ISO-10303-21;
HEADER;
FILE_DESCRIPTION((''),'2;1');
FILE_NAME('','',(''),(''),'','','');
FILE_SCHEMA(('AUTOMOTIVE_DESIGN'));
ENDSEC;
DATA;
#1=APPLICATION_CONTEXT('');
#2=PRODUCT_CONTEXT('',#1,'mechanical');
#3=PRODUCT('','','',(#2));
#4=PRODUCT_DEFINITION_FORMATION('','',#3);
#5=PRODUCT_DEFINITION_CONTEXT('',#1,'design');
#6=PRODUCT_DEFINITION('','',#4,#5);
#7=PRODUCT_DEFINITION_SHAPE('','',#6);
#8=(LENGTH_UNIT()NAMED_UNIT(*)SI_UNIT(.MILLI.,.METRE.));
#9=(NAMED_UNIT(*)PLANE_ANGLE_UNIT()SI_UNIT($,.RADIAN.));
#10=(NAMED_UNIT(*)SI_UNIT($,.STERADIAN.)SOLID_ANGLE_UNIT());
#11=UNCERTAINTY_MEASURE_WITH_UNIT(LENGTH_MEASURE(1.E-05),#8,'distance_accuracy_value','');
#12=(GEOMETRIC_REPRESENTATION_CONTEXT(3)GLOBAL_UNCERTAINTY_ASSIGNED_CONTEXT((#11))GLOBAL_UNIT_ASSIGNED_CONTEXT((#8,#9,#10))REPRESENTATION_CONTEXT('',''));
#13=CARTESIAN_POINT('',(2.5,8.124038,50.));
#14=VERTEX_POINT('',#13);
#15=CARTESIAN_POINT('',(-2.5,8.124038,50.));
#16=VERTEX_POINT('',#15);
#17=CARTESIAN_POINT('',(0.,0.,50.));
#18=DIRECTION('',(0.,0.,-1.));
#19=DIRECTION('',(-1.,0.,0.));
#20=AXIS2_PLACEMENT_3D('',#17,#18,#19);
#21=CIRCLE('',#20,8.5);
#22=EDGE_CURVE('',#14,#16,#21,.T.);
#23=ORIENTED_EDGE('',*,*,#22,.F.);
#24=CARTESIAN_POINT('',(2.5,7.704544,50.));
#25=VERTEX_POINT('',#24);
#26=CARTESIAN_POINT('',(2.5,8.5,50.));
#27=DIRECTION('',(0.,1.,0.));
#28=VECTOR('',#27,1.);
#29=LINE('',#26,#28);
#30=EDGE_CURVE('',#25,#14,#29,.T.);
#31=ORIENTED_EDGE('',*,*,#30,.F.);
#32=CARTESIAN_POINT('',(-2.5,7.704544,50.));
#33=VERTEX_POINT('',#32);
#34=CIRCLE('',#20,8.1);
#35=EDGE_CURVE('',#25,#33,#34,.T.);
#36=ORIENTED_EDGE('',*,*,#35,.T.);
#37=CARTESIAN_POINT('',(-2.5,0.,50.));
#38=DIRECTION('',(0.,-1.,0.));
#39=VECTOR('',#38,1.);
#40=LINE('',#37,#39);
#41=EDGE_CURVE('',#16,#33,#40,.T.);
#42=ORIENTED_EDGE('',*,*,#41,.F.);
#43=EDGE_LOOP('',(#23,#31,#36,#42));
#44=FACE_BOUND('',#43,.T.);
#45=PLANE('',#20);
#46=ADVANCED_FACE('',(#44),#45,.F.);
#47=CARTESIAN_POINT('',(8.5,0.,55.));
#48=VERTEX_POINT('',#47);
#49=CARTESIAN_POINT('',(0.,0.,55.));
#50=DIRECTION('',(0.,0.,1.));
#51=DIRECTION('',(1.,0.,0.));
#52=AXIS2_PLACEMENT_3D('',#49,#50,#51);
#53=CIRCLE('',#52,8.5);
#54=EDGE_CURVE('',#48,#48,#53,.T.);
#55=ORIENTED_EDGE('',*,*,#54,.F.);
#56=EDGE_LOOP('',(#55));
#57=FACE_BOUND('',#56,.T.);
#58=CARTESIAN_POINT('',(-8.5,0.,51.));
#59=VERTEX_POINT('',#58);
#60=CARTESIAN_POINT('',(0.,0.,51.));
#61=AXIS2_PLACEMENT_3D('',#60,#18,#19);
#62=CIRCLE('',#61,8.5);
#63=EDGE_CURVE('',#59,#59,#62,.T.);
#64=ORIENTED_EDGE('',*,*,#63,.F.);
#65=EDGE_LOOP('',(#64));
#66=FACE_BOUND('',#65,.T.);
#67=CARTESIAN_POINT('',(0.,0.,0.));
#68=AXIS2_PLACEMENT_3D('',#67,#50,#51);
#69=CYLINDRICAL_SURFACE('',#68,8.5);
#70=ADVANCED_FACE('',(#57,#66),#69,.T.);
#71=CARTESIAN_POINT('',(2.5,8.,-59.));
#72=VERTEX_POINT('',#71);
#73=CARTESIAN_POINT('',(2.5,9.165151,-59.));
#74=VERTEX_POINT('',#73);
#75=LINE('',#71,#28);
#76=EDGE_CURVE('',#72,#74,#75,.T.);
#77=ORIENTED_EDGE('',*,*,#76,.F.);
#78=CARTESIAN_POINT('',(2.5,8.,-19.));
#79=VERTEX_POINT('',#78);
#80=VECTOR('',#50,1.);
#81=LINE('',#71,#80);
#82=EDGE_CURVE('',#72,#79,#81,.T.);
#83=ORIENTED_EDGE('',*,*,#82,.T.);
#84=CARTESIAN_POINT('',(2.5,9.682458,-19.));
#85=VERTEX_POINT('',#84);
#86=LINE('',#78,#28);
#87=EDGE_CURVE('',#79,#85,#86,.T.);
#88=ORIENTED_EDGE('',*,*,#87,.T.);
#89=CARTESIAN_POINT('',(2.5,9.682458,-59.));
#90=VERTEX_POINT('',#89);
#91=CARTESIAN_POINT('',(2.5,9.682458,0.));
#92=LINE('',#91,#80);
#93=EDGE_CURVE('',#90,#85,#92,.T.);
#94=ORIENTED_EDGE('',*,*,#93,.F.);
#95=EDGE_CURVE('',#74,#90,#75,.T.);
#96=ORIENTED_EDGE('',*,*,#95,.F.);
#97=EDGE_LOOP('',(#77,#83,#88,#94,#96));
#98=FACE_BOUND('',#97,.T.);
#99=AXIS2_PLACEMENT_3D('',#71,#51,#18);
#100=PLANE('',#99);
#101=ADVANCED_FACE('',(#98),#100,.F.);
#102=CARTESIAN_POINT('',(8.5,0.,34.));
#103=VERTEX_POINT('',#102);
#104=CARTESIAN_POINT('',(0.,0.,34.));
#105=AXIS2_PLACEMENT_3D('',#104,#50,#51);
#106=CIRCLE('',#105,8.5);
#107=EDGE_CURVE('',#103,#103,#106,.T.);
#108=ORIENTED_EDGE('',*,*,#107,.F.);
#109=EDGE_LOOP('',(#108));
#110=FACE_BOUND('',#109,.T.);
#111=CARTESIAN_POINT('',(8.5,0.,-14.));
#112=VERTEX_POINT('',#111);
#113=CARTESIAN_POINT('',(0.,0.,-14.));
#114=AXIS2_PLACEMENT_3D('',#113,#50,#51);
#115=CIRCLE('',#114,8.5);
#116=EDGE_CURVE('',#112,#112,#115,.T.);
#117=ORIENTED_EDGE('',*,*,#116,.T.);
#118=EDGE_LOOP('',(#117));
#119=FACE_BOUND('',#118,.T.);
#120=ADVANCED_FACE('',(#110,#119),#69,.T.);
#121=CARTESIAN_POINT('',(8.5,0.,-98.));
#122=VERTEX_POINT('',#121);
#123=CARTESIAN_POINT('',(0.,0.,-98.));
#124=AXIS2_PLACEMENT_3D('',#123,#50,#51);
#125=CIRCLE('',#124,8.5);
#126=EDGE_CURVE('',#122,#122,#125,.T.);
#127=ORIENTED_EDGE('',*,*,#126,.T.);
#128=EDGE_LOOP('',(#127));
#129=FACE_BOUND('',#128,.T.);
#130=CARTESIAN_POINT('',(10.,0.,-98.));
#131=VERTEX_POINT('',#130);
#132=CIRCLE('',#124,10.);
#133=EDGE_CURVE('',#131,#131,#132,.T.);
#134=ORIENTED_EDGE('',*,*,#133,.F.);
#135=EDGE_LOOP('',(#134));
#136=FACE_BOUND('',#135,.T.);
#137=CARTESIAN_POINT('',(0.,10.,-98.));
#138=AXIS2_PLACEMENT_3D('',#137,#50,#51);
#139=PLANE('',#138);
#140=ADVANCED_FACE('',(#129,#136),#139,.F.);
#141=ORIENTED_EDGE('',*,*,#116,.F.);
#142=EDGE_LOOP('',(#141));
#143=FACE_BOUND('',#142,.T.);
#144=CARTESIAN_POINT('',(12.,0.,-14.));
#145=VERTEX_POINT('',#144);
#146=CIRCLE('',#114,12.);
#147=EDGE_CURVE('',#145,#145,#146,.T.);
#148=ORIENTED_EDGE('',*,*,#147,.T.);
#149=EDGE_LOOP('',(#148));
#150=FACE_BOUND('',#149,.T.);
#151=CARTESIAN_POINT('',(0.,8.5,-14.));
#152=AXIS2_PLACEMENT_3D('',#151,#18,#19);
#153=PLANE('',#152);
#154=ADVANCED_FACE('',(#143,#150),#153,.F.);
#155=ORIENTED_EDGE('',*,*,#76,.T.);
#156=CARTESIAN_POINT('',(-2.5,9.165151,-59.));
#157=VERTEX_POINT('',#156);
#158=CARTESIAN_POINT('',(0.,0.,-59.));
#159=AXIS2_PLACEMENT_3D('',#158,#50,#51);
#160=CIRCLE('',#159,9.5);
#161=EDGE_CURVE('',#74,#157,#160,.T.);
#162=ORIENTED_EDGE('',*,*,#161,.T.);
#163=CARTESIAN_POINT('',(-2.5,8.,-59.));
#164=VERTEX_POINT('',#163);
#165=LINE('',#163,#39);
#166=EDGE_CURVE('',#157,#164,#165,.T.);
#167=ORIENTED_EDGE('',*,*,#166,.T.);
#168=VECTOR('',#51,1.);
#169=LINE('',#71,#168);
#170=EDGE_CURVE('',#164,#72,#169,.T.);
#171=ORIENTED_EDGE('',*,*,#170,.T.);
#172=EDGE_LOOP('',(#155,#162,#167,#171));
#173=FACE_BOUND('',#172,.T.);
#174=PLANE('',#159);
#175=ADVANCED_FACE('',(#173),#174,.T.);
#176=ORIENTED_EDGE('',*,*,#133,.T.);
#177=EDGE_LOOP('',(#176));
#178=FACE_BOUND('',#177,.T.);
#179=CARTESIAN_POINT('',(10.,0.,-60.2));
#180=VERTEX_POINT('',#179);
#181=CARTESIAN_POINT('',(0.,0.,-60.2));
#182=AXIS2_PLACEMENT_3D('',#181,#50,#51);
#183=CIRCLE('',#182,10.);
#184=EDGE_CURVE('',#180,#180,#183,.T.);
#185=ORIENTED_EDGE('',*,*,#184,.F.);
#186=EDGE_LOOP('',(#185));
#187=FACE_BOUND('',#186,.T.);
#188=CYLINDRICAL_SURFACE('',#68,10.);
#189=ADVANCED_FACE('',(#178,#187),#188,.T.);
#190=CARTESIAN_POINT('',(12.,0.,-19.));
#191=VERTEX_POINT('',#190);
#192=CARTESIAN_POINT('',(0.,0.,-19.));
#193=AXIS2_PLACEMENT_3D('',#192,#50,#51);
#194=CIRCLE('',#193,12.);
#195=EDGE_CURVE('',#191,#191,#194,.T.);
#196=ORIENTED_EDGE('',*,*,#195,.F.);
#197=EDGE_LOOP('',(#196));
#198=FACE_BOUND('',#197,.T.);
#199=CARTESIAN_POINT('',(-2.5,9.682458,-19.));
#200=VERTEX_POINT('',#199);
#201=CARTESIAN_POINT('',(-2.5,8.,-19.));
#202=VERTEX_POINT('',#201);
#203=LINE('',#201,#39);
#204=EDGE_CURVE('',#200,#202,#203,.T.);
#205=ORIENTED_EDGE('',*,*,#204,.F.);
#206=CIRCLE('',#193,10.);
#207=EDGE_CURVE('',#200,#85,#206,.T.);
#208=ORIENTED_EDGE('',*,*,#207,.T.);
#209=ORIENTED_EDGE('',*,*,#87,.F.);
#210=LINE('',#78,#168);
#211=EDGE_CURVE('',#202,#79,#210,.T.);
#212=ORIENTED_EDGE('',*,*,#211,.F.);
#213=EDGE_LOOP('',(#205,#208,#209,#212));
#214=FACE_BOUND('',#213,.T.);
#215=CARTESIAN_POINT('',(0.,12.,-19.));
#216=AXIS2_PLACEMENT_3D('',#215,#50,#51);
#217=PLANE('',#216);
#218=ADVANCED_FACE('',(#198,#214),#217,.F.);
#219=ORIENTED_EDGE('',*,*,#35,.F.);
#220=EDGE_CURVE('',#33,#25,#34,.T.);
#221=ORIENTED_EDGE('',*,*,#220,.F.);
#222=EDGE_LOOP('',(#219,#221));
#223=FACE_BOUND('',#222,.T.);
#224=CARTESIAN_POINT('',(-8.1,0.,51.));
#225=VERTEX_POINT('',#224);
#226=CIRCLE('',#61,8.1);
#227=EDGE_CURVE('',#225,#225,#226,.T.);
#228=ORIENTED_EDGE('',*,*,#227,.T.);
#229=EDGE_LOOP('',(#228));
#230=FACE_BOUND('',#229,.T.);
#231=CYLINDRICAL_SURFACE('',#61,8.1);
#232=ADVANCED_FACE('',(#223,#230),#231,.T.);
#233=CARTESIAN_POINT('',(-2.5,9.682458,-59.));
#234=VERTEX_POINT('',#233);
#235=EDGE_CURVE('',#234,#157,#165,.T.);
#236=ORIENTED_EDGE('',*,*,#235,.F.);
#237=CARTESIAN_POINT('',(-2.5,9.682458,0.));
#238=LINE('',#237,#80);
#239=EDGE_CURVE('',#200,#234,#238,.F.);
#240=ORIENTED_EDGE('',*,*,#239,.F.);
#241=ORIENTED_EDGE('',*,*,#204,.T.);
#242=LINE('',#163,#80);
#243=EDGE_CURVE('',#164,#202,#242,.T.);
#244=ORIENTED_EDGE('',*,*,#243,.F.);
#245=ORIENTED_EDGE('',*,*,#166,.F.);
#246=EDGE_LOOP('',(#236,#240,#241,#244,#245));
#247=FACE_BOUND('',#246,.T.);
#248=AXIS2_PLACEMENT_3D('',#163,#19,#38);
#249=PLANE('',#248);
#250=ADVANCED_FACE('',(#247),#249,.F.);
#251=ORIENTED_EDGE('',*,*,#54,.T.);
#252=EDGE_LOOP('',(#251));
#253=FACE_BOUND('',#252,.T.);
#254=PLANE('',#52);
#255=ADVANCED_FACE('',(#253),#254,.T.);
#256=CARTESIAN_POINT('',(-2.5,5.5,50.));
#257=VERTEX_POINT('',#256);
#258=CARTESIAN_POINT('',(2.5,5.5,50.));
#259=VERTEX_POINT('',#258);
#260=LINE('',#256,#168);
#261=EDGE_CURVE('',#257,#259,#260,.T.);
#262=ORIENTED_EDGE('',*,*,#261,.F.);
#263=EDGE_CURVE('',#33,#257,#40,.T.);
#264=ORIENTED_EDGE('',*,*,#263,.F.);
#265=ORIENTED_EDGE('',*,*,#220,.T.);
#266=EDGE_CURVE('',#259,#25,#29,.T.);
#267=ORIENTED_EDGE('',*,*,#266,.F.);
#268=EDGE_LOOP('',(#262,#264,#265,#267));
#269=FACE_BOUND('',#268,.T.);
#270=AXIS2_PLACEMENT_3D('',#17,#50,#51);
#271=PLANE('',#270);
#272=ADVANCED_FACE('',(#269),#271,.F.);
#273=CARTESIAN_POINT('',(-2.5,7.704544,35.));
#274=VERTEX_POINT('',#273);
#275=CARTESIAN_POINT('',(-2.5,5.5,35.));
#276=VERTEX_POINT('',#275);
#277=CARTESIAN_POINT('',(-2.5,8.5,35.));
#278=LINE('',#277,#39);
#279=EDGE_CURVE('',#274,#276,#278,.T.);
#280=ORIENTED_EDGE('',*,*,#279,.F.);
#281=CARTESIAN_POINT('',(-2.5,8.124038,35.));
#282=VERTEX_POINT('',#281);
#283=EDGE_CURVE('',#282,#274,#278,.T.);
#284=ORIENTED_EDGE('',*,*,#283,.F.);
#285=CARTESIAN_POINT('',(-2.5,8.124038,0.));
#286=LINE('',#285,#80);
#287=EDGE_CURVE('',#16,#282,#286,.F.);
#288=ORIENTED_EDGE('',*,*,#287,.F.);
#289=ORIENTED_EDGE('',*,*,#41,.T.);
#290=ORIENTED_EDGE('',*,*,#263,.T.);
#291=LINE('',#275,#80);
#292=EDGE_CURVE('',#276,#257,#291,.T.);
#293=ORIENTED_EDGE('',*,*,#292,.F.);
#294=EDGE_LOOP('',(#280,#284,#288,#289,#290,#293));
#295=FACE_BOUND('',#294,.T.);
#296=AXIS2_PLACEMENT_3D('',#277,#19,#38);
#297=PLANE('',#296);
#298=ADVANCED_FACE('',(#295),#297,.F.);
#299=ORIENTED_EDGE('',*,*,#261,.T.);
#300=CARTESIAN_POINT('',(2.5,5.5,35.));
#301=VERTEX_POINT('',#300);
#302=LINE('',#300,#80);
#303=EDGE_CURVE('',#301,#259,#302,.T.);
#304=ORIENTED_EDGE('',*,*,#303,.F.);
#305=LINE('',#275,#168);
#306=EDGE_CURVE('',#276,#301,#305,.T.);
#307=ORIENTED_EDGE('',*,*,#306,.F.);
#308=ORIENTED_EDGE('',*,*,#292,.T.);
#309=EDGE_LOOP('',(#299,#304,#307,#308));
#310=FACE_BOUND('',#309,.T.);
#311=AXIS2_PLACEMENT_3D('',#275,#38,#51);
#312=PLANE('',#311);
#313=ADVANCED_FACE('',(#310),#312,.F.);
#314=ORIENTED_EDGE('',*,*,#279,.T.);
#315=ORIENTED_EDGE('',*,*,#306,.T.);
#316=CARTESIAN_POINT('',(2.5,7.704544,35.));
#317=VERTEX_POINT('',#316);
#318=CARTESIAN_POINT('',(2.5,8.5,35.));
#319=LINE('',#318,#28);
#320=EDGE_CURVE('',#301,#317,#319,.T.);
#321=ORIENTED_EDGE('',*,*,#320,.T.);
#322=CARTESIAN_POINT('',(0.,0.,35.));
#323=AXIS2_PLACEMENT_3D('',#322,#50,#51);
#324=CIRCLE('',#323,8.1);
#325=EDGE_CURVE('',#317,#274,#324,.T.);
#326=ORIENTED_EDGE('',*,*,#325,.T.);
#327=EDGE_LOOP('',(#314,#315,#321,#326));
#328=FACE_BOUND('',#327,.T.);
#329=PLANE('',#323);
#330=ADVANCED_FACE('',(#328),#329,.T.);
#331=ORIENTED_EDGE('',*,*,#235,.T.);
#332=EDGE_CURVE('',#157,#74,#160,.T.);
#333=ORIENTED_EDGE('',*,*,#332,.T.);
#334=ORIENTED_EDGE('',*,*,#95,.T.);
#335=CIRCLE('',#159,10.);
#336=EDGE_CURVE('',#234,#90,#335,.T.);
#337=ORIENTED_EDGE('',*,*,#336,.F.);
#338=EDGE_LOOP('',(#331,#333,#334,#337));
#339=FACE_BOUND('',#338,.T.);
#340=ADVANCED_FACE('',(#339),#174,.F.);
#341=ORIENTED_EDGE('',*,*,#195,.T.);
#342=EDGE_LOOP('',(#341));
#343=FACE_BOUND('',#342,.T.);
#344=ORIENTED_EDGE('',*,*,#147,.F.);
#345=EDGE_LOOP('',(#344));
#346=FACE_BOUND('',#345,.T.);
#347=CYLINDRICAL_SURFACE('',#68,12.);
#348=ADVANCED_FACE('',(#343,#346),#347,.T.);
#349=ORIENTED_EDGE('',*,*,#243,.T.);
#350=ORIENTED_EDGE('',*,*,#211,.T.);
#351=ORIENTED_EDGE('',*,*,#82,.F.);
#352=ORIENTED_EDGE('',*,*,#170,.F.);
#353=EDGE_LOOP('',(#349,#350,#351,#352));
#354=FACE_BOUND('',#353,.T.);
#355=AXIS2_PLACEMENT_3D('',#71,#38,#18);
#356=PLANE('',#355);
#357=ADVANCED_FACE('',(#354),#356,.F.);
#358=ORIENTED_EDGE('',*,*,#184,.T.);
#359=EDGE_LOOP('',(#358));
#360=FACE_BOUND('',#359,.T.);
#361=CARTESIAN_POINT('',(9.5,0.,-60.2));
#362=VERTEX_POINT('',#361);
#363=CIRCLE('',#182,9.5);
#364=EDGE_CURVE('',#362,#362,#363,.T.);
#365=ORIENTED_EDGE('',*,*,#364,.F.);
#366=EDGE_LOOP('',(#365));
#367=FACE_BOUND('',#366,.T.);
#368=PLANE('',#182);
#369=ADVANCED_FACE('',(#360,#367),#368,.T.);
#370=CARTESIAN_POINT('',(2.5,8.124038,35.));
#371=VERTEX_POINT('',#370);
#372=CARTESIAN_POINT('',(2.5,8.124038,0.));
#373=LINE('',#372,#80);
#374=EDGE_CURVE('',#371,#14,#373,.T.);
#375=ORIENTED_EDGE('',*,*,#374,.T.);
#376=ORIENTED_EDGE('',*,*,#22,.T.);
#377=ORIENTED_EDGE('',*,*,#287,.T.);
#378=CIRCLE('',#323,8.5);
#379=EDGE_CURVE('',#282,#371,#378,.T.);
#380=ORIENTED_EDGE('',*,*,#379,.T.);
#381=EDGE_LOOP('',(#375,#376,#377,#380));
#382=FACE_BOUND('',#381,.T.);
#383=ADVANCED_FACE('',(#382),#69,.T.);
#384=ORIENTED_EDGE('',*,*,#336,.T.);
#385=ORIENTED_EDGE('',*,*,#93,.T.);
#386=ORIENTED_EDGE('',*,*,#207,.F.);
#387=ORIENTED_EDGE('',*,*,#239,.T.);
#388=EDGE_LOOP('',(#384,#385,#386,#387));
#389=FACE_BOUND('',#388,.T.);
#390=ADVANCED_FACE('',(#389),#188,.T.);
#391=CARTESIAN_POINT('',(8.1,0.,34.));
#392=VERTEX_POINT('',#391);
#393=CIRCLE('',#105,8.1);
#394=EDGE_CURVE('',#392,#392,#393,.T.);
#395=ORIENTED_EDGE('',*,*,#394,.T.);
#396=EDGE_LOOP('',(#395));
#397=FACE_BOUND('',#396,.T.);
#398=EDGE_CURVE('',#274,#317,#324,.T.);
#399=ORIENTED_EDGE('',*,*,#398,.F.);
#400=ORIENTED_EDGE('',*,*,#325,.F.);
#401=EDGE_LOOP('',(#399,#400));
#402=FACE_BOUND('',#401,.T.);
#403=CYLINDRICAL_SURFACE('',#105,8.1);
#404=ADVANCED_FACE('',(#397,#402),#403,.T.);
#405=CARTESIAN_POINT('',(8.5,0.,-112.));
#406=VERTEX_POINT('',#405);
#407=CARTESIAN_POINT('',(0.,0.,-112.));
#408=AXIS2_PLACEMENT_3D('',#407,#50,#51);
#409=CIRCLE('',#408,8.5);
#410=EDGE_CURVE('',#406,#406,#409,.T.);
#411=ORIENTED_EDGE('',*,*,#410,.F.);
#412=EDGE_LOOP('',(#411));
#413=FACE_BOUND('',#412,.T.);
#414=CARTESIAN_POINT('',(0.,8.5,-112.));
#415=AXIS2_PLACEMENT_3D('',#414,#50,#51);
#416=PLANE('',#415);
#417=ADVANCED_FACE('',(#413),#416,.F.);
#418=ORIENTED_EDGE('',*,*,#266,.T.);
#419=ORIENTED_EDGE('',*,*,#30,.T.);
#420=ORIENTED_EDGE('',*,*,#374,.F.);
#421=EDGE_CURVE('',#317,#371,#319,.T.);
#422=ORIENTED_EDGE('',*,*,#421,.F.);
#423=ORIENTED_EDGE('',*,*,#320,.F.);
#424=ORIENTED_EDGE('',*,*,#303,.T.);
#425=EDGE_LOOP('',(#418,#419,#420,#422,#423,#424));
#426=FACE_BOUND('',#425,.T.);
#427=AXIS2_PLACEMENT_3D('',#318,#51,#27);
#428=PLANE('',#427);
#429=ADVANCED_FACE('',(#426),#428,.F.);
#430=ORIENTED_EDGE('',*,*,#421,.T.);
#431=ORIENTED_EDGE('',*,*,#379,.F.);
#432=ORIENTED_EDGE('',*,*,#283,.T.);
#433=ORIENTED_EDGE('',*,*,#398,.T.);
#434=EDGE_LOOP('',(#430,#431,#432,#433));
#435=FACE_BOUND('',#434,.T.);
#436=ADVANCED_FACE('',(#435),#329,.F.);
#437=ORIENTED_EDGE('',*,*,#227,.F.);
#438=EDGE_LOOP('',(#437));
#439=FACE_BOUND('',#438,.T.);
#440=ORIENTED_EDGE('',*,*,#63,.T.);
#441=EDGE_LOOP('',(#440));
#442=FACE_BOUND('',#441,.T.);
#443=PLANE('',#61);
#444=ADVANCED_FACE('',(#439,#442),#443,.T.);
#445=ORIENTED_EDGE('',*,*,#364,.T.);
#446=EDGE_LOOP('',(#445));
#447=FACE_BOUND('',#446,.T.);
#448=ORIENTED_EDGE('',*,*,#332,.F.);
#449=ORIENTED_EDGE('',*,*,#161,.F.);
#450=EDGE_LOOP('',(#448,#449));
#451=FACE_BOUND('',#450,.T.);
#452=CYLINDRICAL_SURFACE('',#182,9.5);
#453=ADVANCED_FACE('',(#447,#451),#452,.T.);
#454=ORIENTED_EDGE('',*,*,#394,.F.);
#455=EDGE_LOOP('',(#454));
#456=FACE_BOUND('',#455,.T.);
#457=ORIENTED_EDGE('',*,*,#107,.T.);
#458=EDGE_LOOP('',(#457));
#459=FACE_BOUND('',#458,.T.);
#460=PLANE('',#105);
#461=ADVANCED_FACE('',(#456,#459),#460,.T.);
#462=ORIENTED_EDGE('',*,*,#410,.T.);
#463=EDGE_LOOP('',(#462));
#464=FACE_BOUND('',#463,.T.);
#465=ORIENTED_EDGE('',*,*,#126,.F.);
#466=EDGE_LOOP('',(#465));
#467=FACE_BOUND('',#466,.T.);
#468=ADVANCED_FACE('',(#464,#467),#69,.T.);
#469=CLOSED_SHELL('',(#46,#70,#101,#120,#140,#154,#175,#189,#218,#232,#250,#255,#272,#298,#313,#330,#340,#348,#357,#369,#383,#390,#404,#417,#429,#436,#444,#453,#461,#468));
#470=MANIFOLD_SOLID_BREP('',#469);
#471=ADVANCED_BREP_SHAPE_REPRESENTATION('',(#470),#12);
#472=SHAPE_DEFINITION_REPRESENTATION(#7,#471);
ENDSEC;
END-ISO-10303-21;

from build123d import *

# Parameters (mm, degrees)
CUT_EXTRUDE1_START  = -19
SKETCH3_W           = 5
SKETCH3_H           = 8
CUT_EXTRUDE1_DEPTH  = 40
SKETCH4_R           = 12.5
SKETCH4_R_2         = 9.5
CUT_EXTRUDE2_DEPTH  = 1.2
SKETCH5_R           = 8.5
BOSS_EXTRUDE1_DEPTH = 50
SKETCH8_W           = 5
SKETCH8_H           = 3
CUT_EXTRUDE3_DEPTH  = 15
SKETCH9_R           = 8.5
BOSS_EXTRUDE2_DEPTH = 5
SKETCH10_R          = 10.1
SKETCH10_R_2        = 8.1
CUT_EXTRUDE4_DEPTH  = 1
CUT_EXTRUDE5_START  = -1
SKETCH11_R          = 10.1
SKETCH11_R_2        = 8.1
CUT_EXTRUDE5_DEPTH  = 1


with BuildPart() as part:
    # Sketch2 → Revolve1 (revolve)
    with BuildSketch(Plane(origin=(0, 0, 0), x_dir=(0, 0, -1), z_dir=(1, 0, 0)), mode=Mode.PRIVATE) as revolve1_sk:
        Polygon((0, 0), (0, 8.5), (14, 8.5), (14, 12), (19, 12), (19, 10), (98, 10), (98, 8.5), (112, 8.5), (112, 0), align=None)
    revolve(revolve1_sk.sketch.rotate(Axis((0, 0, 0), (0, 0, -1)), 90), axis=Axis((0, 0, 0), (0, 0, -1)))

    # Sketch3 → Cut-Extrude1 (cut)
    with BuildSketch(Plane.XY.offset(CUT_EXTRUDE1_START)):
        with Locations((0, 12)):
            Rectangle(SKETCH3_W, SKETCH3_H)
    extrude(amount=-CUT_EXTRUDE1_DEPTH, mode=Mode.SUBTRACT)

    # Sketch4 → Cut-Extrude2 (cut)
    with BuildSketch(Plane.XY.offset(-59)):
        Circle(SKETCH4_R)
        Circle(SKETCH4_R_2, mode=Mode.SUBTRACT)
    extrude(amount=-CUT_EXTRUDE2_DEPTH, mode=Mode.SUBTRACT)

    # Sketch5 → Boss-Extrude1 (add)
    with BuildSketch(Plane.XY):
        Circle(SKETCH5_R)
    extrude(amount=BOSS_EXTRUDE1_DEPTH)

    # Sketch8 → Cut-Extrude3 (cut)
    with BuildSketch(Plane.XY.offset(50)):
        with Locations((0, 7)):
            Rectangle(SKETCH8_W, SKETCH8_H)
    extrude(amount=-CUT_EXTRUDE3_DEPTH, mode=Mode.SUBTRACT)

    # Sketch9 → Boss-Extrude2 (add)
    with BuildSketch(Plane.XY.offset(50)):
        Circle(SKETCH9_R)
    extrude(amount=BOSS_EXTRUDE2_DEPTH)

    # Sketch10 → Cut-Extrude4 (cut)
    with BuildSketch(Plane(origin=(0, 0, 50), x_dir=(-1, 0, 0), z_dir=(0, 0, -1))):
        Circle(SKETCH10_R)
        Circle(SKETCH10_R_2, mode=Mode.SUBTRACT)
    extrude(amount=-CUT_EXTRUDE4_DEPTH, mode=Mode.SUBTRACT)

    # Sketch11 → Cut-Extrude5 (cut)
    with BuildSketch(Plane.XY.offset(35).offset(CUT_EXTRUDE5_START)):
        Circle(SKETCH11_R)
        Circle(SKETCH11_R_2, mode=Mode.SUBTRACT)
    extrude(amount=CUT_EXTRUDE5_DEPTH, mode=Mode.SUBTRACT)


solid = part.part
